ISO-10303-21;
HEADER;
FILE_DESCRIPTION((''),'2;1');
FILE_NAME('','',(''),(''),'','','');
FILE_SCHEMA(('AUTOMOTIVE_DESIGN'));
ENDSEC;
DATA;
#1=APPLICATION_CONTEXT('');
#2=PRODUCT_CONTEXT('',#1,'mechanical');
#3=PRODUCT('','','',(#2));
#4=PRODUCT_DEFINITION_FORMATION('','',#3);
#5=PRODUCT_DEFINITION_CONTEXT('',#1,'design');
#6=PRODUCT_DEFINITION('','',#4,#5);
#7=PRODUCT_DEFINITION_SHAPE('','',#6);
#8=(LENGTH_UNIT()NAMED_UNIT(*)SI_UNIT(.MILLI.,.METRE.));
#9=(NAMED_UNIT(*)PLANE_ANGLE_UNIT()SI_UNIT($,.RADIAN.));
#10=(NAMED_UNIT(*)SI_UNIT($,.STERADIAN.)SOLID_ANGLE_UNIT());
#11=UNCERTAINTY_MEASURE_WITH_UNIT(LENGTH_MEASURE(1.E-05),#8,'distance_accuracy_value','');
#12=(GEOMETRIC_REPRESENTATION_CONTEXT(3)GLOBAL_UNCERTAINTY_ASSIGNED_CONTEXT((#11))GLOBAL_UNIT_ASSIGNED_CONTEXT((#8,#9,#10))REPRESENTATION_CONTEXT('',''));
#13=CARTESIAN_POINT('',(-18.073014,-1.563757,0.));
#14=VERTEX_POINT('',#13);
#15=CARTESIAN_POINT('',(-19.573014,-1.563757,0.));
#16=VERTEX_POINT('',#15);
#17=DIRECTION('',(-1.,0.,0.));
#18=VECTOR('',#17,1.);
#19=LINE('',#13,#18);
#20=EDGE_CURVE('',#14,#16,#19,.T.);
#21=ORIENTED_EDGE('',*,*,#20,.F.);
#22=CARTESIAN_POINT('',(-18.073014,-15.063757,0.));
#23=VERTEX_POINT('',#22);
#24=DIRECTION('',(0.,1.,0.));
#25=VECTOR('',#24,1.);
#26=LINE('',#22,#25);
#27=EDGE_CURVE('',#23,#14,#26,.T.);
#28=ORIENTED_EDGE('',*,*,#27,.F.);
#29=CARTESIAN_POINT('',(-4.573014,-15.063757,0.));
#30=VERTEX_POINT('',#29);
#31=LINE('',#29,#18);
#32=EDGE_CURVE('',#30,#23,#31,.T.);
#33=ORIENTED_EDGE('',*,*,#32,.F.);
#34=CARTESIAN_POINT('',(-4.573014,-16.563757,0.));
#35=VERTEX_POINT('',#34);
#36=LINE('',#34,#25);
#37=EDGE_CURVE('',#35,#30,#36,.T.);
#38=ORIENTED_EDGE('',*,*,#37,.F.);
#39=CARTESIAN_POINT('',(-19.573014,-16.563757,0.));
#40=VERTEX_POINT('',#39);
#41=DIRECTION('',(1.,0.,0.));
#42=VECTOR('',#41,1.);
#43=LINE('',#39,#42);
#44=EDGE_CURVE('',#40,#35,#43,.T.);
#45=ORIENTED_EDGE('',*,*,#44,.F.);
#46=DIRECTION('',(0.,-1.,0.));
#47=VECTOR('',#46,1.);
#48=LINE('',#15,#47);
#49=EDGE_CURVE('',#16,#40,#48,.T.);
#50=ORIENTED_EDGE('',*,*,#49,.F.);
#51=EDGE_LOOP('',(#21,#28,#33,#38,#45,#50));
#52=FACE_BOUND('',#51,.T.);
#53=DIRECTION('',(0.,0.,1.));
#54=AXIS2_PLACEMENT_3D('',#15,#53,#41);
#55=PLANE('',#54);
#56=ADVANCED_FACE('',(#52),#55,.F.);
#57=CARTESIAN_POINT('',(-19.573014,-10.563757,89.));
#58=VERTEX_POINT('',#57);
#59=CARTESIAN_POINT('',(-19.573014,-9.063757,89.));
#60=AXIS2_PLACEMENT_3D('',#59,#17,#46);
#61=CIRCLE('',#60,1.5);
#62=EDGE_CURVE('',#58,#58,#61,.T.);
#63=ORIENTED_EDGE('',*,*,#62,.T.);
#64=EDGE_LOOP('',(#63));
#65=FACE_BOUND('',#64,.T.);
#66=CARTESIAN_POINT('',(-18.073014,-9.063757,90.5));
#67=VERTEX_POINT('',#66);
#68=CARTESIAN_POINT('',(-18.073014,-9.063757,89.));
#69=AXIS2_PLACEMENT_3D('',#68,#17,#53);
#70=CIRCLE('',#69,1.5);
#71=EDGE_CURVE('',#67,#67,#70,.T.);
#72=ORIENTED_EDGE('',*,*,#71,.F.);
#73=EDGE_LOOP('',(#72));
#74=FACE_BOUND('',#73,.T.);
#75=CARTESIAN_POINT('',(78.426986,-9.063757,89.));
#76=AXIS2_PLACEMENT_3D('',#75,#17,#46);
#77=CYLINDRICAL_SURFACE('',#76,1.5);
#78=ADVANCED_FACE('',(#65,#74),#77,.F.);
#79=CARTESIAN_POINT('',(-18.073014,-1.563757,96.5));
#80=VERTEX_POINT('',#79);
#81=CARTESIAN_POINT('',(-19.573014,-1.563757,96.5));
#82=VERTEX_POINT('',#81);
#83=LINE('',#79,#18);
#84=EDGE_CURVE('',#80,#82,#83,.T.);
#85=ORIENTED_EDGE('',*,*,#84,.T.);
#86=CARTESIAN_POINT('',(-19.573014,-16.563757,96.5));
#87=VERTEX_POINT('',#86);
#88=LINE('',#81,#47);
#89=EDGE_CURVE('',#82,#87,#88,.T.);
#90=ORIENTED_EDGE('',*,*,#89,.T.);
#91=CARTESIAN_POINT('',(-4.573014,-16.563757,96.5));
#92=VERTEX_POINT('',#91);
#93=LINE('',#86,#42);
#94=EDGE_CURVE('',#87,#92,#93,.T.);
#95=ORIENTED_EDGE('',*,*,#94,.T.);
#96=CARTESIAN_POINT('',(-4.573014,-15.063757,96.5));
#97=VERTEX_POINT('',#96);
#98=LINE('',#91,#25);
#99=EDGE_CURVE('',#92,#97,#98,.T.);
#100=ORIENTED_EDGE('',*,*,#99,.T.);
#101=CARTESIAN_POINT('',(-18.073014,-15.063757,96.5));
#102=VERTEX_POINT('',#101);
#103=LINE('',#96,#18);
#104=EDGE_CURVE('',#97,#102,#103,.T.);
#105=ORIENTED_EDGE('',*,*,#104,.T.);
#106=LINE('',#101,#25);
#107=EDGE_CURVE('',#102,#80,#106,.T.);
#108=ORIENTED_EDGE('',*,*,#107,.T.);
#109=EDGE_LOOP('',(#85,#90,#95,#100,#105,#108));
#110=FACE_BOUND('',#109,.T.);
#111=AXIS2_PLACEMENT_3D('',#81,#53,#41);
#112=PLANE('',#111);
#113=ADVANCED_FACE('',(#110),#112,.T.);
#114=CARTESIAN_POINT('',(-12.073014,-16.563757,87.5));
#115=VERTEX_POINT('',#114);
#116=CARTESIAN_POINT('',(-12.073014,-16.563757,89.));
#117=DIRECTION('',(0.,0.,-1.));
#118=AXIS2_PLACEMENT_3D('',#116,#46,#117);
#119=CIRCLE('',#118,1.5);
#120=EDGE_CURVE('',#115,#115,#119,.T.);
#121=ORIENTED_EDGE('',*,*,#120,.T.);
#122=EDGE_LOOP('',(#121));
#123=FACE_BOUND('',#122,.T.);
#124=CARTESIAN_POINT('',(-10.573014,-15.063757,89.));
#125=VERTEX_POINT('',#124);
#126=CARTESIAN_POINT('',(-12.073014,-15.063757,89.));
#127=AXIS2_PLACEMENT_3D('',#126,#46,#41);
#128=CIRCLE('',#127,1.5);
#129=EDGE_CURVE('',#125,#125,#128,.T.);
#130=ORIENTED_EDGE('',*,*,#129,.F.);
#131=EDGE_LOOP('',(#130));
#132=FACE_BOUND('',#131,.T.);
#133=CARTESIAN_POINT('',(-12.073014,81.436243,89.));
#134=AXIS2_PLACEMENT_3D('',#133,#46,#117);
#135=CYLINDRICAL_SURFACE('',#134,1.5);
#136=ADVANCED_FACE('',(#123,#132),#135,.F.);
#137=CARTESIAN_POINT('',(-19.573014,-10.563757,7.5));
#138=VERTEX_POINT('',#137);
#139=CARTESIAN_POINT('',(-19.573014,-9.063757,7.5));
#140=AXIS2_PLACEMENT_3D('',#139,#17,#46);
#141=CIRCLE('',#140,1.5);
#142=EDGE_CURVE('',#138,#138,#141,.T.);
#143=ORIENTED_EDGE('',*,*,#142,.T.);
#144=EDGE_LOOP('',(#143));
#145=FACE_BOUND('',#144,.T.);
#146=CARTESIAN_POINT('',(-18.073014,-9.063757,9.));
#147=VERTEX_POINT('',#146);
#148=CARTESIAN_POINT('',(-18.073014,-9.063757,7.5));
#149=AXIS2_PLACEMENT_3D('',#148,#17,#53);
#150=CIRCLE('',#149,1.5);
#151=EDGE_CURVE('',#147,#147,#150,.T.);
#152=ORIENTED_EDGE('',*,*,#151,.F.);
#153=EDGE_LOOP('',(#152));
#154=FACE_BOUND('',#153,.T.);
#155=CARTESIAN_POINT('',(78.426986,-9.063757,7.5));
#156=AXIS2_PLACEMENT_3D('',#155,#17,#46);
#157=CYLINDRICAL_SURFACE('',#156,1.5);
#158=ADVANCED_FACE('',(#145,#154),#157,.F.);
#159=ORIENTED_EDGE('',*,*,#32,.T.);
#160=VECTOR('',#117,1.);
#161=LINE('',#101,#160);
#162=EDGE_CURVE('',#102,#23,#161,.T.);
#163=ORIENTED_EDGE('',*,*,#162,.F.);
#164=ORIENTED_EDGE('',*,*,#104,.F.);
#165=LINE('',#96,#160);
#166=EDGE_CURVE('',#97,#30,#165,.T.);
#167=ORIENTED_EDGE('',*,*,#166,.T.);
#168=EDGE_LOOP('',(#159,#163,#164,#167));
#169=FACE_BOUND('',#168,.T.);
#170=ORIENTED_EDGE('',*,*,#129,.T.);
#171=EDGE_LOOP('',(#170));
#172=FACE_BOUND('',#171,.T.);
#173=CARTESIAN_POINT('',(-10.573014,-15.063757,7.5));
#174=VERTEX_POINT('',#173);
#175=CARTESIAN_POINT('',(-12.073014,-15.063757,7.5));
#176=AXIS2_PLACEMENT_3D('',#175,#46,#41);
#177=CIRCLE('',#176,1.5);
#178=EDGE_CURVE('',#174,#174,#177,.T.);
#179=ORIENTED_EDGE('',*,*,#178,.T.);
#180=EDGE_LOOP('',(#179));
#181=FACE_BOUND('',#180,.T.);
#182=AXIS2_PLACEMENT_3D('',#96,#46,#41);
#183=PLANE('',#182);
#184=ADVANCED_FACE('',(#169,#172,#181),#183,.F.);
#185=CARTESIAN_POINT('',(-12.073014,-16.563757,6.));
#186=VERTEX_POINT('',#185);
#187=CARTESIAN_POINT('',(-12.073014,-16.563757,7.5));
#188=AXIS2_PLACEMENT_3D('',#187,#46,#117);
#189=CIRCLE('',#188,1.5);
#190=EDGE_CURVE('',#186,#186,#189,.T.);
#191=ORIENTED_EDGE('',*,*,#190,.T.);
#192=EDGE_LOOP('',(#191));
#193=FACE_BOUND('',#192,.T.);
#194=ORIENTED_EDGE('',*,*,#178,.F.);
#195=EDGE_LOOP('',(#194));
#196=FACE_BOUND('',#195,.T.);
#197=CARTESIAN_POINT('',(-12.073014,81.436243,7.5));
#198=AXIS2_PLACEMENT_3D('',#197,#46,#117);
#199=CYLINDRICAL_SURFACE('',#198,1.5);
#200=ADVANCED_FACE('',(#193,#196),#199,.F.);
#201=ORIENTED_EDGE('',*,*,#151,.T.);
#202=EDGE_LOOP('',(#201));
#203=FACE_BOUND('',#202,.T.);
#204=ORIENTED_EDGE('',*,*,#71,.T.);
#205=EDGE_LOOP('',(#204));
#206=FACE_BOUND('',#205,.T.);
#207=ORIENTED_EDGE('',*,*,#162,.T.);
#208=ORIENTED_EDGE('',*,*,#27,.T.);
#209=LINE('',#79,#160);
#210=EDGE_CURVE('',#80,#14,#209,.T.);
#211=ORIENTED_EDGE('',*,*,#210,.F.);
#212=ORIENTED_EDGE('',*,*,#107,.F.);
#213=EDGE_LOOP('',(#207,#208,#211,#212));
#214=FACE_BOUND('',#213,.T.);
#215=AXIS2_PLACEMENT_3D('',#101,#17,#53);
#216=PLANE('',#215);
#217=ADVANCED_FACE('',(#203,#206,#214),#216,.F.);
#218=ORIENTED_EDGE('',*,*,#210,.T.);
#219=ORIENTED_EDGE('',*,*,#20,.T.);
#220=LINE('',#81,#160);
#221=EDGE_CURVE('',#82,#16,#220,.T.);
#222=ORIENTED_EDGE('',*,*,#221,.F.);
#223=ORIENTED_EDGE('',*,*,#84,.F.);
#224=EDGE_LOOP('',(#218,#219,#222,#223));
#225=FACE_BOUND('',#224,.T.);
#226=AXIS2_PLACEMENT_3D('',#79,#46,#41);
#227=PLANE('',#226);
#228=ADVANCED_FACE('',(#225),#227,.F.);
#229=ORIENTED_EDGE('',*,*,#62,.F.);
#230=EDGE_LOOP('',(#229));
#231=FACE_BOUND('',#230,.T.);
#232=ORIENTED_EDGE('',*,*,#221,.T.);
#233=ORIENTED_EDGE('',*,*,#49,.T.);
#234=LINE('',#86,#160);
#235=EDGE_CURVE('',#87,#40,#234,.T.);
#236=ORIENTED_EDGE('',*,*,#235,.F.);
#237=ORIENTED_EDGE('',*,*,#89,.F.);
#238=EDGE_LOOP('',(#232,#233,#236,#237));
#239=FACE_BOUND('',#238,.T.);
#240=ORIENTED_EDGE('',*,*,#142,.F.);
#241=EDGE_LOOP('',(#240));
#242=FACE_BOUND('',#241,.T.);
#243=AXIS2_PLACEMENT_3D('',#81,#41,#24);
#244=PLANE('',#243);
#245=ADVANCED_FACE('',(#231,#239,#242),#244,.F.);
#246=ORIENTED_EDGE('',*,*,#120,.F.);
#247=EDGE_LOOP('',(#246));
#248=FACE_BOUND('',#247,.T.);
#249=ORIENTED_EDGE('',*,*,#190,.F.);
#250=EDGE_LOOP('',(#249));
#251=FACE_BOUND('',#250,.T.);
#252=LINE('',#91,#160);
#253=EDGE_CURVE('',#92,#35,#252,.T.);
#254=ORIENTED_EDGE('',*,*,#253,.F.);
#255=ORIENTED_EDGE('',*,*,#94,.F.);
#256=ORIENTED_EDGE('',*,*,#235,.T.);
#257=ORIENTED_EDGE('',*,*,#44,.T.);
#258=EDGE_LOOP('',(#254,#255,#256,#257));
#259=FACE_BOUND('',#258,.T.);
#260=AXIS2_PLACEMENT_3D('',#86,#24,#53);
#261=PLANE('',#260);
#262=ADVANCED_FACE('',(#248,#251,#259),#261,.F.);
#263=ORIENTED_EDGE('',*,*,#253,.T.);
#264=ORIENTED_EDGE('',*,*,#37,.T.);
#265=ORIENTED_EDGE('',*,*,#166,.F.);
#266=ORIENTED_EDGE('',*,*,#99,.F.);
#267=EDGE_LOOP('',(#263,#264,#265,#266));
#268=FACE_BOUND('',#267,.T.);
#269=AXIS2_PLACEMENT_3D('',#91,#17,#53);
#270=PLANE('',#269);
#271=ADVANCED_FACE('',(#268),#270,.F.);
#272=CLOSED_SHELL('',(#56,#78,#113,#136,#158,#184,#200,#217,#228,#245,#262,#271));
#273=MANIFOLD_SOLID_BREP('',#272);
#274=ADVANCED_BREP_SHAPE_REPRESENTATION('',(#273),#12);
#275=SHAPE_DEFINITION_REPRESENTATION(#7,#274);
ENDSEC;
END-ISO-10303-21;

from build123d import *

# Parameters (mm, degrees)
EXTRUSION1_DEPTH = 96.5
ESQUISSE2_R      = 1.5
EXTRUSION2_DEPTH = 98
ESQUISSE3_R      = 1.5
EXTRUSION3_DEPTH = 98


with BuildPart() as part:
    # Esquisse1 → Extrusion1 (new body)
    with BuildSketch(Plane.XY):
        Polygon((-19.573013681, -1.563756614), (-19.573013681, -16.563756614), (-4.573013681, -16.563756614), (-4.573013681, -15.063756614), (-18.073013681, -15.063756614), (-18.073013681, -1.563756614), align=None)
    extrude(amount=EXTRUSION1_DEPTH)

    # Esquisse2 → Extrusion2 (cut)
    with BuildSketch(Plane.XZ.offset(16.563756614)):
        with Locations(Location((-12.073013681, 89, 0), (0, 0, 270))):
            Circle(ESQUISSE2_R)
        with Locations(Location((-12.073013681, 7.5, 0), (0, 0, 270))):
            Circle(ESQUISSE2_R)
    extrude(amount=-EXTRUSION2_DEPTH, mode=Mode.SUBTRACT)

    # Esquisse3 → Extrusion3 (cut)
    with BuildSketch(Plane.ZY.offset(19.573013681)):
        with Locations(Location((89, -9.063756614, 0), (0, 0, 270))):
            Circle(ESQUISSE3_R)
        with Locations(Location((7.5, -9.063756614, 0), (0, 0, 270))):
            Circle(ESQUISSE3_R)
    extrude(amount=-EXTRUSION3_DEPTH, mode=Mode.SUBTRACT)


solid = part.part
